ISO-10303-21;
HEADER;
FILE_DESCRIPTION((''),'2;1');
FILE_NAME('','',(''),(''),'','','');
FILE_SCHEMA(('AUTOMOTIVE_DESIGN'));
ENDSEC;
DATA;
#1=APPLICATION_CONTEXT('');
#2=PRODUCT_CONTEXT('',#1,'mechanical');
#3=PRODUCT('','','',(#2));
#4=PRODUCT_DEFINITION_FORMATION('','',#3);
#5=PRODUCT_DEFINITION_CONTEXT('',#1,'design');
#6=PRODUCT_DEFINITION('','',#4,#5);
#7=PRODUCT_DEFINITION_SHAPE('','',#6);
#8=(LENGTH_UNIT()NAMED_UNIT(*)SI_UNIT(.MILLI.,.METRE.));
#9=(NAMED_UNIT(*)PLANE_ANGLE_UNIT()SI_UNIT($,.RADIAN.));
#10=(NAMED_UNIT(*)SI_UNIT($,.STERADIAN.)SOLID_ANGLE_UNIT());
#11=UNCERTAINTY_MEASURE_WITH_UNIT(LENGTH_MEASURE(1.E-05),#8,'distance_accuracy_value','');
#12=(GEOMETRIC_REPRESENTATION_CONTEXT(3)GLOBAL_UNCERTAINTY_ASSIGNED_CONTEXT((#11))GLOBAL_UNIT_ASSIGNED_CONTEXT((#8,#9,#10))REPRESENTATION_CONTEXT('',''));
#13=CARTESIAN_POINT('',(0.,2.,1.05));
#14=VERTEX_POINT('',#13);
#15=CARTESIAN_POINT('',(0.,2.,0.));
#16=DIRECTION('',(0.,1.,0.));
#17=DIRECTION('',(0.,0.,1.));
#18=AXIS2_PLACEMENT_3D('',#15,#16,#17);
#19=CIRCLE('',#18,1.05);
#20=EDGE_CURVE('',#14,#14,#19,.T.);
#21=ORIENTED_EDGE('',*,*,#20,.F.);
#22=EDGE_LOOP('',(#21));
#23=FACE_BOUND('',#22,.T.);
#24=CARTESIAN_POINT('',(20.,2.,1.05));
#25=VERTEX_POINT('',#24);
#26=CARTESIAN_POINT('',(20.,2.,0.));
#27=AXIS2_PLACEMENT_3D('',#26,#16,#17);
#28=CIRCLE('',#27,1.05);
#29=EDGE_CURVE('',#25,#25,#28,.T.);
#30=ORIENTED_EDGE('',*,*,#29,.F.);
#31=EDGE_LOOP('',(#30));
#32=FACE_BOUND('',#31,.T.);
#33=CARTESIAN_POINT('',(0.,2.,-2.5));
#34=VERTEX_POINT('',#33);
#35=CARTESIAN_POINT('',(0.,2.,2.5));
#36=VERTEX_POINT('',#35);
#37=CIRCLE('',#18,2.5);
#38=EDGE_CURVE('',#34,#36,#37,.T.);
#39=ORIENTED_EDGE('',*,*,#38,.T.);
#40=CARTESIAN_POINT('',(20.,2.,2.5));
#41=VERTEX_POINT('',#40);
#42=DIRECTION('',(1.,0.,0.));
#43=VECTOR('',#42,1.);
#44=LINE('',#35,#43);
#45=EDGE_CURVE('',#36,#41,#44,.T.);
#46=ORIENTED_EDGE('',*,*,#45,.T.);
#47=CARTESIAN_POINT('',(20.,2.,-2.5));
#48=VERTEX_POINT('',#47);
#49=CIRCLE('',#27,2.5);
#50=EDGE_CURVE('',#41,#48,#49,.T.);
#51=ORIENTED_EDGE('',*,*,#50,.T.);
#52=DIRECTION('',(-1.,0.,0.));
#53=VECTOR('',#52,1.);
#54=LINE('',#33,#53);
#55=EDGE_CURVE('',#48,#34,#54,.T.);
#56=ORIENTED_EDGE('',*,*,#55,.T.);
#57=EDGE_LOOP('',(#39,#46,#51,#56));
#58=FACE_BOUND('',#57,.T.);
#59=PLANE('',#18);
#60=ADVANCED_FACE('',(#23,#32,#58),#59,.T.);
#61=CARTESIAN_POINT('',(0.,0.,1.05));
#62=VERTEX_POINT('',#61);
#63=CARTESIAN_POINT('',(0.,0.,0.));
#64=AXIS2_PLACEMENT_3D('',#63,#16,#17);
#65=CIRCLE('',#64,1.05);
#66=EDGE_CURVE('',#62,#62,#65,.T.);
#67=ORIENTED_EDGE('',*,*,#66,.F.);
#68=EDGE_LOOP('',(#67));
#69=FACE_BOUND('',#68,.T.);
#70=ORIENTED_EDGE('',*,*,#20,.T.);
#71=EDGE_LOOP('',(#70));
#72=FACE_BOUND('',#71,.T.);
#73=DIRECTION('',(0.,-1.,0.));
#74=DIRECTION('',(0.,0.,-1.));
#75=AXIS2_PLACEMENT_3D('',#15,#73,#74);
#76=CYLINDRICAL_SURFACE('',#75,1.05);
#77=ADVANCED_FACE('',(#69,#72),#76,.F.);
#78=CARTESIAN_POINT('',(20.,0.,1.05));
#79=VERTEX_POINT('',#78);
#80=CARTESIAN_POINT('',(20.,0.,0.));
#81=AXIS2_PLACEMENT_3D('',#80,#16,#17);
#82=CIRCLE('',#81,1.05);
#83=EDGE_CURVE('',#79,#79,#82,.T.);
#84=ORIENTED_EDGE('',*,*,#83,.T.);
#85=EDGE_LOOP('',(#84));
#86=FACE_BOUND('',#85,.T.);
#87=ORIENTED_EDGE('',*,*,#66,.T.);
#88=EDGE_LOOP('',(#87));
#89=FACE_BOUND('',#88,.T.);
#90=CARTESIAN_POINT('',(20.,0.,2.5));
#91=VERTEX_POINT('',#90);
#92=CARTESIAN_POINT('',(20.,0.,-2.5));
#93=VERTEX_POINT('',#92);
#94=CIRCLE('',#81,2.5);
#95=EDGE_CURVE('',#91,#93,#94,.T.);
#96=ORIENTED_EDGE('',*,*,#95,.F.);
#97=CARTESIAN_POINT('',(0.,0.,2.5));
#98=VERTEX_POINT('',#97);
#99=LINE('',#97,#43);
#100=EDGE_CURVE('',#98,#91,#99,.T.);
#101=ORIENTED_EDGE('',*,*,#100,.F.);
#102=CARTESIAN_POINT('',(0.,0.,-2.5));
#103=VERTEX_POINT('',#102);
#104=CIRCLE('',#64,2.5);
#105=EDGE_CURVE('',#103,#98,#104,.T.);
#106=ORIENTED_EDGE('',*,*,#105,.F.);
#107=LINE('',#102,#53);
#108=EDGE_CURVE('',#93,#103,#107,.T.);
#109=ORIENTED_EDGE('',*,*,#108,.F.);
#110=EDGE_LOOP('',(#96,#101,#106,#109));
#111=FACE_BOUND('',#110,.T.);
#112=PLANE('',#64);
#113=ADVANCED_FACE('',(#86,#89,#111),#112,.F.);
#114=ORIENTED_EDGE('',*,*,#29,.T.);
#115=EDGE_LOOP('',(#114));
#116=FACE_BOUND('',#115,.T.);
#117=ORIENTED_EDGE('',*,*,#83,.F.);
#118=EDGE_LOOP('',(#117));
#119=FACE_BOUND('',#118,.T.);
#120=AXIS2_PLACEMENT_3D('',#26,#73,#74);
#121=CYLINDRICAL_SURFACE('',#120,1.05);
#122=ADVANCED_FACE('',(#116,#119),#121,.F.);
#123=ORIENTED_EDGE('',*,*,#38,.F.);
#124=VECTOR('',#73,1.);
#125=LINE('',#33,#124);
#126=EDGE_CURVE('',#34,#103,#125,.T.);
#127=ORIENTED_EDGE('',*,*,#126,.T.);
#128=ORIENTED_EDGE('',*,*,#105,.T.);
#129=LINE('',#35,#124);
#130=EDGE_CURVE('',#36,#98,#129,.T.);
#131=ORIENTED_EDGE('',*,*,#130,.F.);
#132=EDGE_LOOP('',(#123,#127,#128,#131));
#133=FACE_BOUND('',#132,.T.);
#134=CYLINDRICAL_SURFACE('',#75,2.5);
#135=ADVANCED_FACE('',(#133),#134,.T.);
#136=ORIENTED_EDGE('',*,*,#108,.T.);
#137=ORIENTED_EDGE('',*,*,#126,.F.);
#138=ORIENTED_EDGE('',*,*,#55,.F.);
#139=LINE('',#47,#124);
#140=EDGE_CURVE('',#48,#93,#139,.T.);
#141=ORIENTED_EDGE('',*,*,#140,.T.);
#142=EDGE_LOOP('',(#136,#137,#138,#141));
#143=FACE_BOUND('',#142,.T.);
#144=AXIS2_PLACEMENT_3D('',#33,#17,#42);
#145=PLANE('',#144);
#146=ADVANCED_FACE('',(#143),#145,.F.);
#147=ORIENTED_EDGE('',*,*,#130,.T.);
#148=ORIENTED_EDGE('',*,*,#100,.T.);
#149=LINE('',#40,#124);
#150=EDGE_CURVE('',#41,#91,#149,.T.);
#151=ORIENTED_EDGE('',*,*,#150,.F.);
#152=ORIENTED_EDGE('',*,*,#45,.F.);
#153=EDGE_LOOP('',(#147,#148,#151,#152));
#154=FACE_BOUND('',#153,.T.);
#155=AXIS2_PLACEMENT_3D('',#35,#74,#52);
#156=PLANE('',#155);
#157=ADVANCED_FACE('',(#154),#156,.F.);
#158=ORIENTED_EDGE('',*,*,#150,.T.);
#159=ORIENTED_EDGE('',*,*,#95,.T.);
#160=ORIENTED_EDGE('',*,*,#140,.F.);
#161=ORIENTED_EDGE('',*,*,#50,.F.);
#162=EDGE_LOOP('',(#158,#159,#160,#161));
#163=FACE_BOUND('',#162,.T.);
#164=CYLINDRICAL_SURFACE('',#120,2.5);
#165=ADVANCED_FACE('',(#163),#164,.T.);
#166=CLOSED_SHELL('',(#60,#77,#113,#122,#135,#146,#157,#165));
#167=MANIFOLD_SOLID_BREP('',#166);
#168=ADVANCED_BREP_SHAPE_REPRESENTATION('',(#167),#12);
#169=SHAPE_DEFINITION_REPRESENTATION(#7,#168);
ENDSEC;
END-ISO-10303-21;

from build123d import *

# Parameters (mm, degrees)
SKETCH1_R           = 1.05
BOSS_EXTRUDE1_DEPTH = 2


with BuildPart() as part:
    # Sketch1 → Boss-Extrude1 (new body)
    with BuildSketch(Plane(origin=(0, 0, 0), x_dir=(1, 0, 0), z_dir=(0, 1, 0))):
        with BuildLine():
            Line((0, 2.5), (20, 2.5))
            ThreePointArc((20, 2.5), (22.5, 0), (20, -2.5))
            Line((20, -2.5), (0, -2.5))
            ThreePointArc((0, -2.5), (-2.5, 0), (0, 2.5))
        make_face()
        with Locations(Location((0, 0, 0), (0, 0, 270))):
            Circle(SKETCH1_R, mode=Mode.SUBTRACT)
        with Locations(Location((20, 0, 0), (0, 0, 270))):
            Circle(SKETCH1_R, mode=Mode.SUBTRACT)
    extrude(amount=BOSS_EXTRUDE1_DEPTH)


solid = part.part
